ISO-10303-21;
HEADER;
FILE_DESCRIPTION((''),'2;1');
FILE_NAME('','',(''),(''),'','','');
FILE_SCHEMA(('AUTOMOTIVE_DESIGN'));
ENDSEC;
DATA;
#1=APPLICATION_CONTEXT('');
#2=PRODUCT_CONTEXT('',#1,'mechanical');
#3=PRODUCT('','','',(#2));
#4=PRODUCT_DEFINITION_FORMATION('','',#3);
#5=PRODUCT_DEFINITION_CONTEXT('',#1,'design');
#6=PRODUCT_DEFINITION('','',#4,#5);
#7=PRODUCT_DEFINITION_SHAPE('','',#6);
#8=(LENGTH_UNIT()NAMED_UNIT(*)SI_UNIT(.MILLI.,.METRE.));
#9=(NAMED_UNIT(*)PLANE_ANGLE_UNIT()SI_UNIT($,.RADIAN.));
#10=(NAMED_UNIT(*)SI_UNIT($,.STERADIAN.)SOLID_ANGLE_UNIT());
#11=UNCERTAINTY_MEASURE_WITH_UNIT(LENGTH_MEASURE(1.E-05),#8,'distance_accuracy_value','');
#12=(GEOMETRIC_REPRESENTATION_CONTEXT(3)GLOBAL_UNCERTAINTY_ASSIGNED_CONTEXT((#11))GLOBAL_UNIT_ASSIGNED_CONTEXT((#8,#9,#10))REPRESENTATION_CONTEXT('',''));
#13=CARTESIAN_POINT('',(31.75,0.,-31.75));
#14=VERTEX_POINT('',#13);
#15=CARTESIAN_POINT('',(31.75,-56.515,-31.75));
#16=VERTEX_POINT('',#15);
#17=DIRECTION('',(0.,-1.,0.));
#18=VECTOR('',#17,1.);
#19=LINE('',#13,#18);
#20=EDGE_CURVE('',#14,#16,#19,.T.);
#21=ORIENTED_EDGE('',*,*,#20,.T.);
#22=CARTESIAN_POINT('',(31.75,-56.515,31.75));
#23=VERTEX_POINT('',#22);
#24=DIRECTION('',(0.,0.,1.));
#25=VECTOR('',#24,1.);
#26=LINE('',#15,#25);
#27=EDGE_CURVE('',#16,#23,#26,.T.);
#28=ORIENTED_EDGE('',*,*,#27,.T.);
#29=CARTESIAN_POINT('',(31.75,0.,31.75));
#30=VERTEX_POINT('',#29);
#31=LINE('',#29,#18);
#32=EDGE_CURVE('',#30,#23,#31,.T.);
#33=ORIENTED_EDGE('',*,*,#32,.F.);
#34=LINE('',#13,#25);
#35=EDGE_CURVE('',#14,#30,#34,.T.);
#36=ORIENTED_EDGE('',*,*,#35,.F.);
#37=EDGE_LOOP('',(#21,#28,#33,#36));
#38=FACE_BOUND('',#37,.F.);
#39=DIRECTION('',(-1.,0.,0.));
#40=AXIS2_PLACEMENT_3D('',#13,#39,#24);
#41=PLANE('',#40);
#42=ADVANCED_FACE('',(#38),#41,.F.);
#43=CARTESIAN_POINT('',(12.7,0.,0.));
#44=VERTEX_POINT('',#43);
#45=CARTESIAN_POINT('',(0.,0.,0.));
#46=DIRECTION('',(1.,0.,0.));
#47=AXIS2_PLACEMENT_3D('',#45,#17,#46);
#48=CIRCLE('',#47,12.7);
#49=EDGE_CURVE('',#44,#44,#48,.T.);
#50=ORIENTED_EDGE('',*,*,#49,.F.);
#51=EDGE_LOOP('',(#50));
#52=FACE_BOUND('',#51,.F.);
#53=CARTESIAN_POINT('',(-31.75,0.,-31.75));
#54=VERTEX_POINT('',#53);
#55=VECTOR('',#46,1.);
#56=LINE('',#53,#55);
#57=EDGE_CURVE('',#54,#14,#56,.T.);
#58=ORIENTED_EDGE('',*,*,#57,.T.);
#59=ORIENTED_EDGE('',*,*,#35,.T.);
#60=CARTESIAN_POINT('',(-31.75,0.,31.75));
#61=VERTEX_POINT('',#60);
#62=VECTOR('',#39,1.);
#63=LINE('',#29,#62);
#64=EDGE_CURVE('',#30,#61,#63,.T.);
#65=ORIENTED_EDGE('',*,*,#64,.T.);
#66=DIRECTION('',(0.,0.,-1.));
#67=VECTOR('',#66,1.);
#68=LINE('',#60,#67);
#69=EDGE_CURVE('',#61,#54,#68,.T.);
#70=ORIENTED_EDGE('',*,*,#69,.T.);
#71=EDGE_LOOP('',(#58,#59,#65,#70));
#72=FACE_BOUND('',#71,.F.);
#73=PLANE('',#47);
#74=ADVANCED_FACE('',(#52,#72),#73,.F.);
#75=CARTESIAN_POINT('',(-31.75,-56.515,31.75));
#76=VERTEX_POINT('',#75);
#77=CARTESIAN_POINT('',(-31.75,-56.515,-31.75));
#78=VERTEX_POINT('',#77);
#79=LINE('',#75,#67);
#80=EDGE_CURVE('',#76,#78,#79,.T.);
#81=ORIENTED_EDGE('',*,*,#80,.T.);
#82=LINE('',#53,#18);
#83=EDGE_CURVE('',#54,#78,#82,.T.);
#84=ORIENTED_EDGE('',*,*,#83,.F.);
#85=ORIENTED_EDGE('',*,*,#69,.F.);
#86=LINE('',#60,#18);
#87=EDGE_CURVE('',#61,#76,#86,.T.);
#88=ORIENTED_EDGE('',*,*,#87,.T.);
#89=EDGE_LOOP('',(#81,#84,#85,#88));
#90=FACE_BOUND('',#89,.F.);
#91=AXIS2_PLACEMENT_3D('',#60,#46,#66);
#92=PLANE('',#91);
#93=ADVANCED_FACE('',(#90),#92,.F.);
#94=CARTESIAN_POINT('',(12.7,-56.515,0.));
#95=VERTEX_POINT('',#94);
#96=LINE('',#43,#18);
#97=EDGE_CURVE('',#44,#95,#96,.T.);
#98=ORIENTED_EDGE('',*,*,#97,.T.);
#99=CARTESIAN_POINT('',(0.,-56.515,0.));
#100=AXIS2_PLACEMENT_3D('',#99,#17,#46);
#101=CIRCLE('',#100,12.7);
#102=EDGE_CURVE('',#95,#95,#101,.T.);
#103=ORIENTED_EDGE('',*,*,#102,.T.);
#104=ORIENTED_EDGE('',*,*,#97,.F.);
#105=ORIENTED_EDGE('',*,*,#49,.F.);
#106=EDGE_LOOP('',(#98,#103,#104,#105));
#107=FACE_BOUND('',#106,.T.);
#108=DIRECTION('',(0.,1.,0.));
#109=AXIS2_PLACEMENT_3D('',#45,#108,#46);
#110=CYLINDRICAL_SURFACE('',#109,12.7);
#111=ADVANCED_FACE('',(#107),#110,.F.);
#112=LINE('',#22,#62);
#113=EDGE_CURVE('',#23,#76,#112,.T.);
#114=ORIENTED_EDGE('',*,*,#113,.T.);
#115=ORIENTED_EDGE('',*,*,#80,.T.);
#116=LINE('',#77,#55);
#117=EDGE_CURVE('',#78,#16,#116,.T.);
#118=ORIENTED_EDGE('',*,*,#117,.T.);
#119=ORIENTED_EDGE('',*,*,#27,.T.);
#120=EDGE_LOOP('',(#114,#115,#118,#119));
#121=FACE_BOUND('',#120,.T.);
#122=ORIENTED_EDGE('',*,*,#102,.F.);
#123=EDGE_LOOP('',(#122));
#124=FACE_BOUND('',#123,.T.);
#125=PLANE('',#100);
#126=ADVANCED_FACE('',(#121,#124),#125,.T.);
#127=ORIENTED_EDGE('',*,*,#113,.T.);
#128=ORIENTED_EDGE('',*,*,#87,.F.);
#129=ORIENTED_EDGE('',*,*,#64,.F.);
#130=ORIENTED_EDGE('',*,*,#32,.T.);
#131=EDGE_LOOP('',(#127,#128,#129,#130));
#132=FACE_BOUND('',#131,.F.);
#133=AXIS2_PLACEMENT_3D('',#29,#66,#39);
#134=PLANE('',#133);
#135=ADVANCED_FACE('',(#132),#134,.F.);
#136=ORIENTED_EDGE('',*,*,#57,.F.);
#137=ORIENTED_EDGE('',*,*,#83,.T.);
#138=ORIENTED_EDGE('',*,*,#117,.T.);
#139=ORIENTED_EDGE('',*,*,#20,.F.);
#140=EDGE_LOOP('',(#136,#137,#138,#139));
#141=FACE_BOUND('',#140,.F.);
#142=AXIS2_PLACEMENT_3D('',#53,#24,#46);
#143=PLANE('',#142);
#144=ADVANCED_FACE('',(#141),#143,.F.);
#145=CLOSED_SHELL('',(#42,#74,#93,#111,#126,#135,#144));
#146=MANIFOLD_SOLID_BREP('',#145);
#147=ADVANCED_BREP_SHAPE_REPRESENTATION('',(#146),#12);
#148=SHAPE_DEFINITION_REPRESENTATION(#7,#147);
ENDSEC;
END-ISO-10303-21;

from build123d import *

# Parameters (mm, degrees)
F0_R     = 12.7
F1_DEPTH = 56.515


with BuildPart() as f1:
    # F0 (on Front) → F1 (new body)
    with BuildSketch(Plane.XZ):
        with BuildLine():
            ThreePointArc((-3.8e-08, -31.75), (22.4506402893, -22.4506403161), (31.75, 0))
            ThreePointArc((31.75, 0), (22.4506402996, 22.4506403057), (-8.6e-09, 31.75))
            ThreePointArc((-8.6e-09, 31.75), (-22.4506403095, 22.4506402959), (-31.75, -1.06e-08))
            ThreePointArc((-31.75, -1.06e-08), (-22.4506403123, -22.450640293), (-3.8e-08, -31.75))
        make_face()
        Circle(F0_R, mode=Mode.SUBTRACT)
        with BuildLine():
            Line((31.75, -31.75), (31.75, 0))
            ThreePointArc((31.75, 0), (22.4506402893, -22.4506403161), (-3.8e-08, -31.75))
            Line((-3.8e-08, -31.75), (31.75, -31.75))
        make_face()
        with BuildLine():
            ThreePointArc((-8.6e-09, 31.75), (22.4506402996, 22.4506403057), (31.75, 0))
            Line((31.75, 0), (31.75, 31.75))
            Line((31.75, 31.75), (-8.6e-09, 31.75))
        make_face()
        with BuildLine():
            ThreePointArc((-31.75, -1.06e-08), (-22.4506403095, 22.4506402959), (-8.6e-09, 31.75))
            Line((-8.6e-09, 31.75), (-31.75, 31.75))
            Line((-31.75, 31.75), (-31.75, -1.06e-08))
        make_face()
        with BuildLine():
            Line((-31.75, -31.75), (-3.8e-08, -31.75))
            ThreePointArc((-3.8e-08, -31.75), (-22.4506403123, -22.450640293), (-31.75, -1.06e-08))
            Line((-31.75, -1.06e-08), (-31.75, -31.75))
        make_face()
    extrude(amount=F1_DEPTH)


solid = f1.part
